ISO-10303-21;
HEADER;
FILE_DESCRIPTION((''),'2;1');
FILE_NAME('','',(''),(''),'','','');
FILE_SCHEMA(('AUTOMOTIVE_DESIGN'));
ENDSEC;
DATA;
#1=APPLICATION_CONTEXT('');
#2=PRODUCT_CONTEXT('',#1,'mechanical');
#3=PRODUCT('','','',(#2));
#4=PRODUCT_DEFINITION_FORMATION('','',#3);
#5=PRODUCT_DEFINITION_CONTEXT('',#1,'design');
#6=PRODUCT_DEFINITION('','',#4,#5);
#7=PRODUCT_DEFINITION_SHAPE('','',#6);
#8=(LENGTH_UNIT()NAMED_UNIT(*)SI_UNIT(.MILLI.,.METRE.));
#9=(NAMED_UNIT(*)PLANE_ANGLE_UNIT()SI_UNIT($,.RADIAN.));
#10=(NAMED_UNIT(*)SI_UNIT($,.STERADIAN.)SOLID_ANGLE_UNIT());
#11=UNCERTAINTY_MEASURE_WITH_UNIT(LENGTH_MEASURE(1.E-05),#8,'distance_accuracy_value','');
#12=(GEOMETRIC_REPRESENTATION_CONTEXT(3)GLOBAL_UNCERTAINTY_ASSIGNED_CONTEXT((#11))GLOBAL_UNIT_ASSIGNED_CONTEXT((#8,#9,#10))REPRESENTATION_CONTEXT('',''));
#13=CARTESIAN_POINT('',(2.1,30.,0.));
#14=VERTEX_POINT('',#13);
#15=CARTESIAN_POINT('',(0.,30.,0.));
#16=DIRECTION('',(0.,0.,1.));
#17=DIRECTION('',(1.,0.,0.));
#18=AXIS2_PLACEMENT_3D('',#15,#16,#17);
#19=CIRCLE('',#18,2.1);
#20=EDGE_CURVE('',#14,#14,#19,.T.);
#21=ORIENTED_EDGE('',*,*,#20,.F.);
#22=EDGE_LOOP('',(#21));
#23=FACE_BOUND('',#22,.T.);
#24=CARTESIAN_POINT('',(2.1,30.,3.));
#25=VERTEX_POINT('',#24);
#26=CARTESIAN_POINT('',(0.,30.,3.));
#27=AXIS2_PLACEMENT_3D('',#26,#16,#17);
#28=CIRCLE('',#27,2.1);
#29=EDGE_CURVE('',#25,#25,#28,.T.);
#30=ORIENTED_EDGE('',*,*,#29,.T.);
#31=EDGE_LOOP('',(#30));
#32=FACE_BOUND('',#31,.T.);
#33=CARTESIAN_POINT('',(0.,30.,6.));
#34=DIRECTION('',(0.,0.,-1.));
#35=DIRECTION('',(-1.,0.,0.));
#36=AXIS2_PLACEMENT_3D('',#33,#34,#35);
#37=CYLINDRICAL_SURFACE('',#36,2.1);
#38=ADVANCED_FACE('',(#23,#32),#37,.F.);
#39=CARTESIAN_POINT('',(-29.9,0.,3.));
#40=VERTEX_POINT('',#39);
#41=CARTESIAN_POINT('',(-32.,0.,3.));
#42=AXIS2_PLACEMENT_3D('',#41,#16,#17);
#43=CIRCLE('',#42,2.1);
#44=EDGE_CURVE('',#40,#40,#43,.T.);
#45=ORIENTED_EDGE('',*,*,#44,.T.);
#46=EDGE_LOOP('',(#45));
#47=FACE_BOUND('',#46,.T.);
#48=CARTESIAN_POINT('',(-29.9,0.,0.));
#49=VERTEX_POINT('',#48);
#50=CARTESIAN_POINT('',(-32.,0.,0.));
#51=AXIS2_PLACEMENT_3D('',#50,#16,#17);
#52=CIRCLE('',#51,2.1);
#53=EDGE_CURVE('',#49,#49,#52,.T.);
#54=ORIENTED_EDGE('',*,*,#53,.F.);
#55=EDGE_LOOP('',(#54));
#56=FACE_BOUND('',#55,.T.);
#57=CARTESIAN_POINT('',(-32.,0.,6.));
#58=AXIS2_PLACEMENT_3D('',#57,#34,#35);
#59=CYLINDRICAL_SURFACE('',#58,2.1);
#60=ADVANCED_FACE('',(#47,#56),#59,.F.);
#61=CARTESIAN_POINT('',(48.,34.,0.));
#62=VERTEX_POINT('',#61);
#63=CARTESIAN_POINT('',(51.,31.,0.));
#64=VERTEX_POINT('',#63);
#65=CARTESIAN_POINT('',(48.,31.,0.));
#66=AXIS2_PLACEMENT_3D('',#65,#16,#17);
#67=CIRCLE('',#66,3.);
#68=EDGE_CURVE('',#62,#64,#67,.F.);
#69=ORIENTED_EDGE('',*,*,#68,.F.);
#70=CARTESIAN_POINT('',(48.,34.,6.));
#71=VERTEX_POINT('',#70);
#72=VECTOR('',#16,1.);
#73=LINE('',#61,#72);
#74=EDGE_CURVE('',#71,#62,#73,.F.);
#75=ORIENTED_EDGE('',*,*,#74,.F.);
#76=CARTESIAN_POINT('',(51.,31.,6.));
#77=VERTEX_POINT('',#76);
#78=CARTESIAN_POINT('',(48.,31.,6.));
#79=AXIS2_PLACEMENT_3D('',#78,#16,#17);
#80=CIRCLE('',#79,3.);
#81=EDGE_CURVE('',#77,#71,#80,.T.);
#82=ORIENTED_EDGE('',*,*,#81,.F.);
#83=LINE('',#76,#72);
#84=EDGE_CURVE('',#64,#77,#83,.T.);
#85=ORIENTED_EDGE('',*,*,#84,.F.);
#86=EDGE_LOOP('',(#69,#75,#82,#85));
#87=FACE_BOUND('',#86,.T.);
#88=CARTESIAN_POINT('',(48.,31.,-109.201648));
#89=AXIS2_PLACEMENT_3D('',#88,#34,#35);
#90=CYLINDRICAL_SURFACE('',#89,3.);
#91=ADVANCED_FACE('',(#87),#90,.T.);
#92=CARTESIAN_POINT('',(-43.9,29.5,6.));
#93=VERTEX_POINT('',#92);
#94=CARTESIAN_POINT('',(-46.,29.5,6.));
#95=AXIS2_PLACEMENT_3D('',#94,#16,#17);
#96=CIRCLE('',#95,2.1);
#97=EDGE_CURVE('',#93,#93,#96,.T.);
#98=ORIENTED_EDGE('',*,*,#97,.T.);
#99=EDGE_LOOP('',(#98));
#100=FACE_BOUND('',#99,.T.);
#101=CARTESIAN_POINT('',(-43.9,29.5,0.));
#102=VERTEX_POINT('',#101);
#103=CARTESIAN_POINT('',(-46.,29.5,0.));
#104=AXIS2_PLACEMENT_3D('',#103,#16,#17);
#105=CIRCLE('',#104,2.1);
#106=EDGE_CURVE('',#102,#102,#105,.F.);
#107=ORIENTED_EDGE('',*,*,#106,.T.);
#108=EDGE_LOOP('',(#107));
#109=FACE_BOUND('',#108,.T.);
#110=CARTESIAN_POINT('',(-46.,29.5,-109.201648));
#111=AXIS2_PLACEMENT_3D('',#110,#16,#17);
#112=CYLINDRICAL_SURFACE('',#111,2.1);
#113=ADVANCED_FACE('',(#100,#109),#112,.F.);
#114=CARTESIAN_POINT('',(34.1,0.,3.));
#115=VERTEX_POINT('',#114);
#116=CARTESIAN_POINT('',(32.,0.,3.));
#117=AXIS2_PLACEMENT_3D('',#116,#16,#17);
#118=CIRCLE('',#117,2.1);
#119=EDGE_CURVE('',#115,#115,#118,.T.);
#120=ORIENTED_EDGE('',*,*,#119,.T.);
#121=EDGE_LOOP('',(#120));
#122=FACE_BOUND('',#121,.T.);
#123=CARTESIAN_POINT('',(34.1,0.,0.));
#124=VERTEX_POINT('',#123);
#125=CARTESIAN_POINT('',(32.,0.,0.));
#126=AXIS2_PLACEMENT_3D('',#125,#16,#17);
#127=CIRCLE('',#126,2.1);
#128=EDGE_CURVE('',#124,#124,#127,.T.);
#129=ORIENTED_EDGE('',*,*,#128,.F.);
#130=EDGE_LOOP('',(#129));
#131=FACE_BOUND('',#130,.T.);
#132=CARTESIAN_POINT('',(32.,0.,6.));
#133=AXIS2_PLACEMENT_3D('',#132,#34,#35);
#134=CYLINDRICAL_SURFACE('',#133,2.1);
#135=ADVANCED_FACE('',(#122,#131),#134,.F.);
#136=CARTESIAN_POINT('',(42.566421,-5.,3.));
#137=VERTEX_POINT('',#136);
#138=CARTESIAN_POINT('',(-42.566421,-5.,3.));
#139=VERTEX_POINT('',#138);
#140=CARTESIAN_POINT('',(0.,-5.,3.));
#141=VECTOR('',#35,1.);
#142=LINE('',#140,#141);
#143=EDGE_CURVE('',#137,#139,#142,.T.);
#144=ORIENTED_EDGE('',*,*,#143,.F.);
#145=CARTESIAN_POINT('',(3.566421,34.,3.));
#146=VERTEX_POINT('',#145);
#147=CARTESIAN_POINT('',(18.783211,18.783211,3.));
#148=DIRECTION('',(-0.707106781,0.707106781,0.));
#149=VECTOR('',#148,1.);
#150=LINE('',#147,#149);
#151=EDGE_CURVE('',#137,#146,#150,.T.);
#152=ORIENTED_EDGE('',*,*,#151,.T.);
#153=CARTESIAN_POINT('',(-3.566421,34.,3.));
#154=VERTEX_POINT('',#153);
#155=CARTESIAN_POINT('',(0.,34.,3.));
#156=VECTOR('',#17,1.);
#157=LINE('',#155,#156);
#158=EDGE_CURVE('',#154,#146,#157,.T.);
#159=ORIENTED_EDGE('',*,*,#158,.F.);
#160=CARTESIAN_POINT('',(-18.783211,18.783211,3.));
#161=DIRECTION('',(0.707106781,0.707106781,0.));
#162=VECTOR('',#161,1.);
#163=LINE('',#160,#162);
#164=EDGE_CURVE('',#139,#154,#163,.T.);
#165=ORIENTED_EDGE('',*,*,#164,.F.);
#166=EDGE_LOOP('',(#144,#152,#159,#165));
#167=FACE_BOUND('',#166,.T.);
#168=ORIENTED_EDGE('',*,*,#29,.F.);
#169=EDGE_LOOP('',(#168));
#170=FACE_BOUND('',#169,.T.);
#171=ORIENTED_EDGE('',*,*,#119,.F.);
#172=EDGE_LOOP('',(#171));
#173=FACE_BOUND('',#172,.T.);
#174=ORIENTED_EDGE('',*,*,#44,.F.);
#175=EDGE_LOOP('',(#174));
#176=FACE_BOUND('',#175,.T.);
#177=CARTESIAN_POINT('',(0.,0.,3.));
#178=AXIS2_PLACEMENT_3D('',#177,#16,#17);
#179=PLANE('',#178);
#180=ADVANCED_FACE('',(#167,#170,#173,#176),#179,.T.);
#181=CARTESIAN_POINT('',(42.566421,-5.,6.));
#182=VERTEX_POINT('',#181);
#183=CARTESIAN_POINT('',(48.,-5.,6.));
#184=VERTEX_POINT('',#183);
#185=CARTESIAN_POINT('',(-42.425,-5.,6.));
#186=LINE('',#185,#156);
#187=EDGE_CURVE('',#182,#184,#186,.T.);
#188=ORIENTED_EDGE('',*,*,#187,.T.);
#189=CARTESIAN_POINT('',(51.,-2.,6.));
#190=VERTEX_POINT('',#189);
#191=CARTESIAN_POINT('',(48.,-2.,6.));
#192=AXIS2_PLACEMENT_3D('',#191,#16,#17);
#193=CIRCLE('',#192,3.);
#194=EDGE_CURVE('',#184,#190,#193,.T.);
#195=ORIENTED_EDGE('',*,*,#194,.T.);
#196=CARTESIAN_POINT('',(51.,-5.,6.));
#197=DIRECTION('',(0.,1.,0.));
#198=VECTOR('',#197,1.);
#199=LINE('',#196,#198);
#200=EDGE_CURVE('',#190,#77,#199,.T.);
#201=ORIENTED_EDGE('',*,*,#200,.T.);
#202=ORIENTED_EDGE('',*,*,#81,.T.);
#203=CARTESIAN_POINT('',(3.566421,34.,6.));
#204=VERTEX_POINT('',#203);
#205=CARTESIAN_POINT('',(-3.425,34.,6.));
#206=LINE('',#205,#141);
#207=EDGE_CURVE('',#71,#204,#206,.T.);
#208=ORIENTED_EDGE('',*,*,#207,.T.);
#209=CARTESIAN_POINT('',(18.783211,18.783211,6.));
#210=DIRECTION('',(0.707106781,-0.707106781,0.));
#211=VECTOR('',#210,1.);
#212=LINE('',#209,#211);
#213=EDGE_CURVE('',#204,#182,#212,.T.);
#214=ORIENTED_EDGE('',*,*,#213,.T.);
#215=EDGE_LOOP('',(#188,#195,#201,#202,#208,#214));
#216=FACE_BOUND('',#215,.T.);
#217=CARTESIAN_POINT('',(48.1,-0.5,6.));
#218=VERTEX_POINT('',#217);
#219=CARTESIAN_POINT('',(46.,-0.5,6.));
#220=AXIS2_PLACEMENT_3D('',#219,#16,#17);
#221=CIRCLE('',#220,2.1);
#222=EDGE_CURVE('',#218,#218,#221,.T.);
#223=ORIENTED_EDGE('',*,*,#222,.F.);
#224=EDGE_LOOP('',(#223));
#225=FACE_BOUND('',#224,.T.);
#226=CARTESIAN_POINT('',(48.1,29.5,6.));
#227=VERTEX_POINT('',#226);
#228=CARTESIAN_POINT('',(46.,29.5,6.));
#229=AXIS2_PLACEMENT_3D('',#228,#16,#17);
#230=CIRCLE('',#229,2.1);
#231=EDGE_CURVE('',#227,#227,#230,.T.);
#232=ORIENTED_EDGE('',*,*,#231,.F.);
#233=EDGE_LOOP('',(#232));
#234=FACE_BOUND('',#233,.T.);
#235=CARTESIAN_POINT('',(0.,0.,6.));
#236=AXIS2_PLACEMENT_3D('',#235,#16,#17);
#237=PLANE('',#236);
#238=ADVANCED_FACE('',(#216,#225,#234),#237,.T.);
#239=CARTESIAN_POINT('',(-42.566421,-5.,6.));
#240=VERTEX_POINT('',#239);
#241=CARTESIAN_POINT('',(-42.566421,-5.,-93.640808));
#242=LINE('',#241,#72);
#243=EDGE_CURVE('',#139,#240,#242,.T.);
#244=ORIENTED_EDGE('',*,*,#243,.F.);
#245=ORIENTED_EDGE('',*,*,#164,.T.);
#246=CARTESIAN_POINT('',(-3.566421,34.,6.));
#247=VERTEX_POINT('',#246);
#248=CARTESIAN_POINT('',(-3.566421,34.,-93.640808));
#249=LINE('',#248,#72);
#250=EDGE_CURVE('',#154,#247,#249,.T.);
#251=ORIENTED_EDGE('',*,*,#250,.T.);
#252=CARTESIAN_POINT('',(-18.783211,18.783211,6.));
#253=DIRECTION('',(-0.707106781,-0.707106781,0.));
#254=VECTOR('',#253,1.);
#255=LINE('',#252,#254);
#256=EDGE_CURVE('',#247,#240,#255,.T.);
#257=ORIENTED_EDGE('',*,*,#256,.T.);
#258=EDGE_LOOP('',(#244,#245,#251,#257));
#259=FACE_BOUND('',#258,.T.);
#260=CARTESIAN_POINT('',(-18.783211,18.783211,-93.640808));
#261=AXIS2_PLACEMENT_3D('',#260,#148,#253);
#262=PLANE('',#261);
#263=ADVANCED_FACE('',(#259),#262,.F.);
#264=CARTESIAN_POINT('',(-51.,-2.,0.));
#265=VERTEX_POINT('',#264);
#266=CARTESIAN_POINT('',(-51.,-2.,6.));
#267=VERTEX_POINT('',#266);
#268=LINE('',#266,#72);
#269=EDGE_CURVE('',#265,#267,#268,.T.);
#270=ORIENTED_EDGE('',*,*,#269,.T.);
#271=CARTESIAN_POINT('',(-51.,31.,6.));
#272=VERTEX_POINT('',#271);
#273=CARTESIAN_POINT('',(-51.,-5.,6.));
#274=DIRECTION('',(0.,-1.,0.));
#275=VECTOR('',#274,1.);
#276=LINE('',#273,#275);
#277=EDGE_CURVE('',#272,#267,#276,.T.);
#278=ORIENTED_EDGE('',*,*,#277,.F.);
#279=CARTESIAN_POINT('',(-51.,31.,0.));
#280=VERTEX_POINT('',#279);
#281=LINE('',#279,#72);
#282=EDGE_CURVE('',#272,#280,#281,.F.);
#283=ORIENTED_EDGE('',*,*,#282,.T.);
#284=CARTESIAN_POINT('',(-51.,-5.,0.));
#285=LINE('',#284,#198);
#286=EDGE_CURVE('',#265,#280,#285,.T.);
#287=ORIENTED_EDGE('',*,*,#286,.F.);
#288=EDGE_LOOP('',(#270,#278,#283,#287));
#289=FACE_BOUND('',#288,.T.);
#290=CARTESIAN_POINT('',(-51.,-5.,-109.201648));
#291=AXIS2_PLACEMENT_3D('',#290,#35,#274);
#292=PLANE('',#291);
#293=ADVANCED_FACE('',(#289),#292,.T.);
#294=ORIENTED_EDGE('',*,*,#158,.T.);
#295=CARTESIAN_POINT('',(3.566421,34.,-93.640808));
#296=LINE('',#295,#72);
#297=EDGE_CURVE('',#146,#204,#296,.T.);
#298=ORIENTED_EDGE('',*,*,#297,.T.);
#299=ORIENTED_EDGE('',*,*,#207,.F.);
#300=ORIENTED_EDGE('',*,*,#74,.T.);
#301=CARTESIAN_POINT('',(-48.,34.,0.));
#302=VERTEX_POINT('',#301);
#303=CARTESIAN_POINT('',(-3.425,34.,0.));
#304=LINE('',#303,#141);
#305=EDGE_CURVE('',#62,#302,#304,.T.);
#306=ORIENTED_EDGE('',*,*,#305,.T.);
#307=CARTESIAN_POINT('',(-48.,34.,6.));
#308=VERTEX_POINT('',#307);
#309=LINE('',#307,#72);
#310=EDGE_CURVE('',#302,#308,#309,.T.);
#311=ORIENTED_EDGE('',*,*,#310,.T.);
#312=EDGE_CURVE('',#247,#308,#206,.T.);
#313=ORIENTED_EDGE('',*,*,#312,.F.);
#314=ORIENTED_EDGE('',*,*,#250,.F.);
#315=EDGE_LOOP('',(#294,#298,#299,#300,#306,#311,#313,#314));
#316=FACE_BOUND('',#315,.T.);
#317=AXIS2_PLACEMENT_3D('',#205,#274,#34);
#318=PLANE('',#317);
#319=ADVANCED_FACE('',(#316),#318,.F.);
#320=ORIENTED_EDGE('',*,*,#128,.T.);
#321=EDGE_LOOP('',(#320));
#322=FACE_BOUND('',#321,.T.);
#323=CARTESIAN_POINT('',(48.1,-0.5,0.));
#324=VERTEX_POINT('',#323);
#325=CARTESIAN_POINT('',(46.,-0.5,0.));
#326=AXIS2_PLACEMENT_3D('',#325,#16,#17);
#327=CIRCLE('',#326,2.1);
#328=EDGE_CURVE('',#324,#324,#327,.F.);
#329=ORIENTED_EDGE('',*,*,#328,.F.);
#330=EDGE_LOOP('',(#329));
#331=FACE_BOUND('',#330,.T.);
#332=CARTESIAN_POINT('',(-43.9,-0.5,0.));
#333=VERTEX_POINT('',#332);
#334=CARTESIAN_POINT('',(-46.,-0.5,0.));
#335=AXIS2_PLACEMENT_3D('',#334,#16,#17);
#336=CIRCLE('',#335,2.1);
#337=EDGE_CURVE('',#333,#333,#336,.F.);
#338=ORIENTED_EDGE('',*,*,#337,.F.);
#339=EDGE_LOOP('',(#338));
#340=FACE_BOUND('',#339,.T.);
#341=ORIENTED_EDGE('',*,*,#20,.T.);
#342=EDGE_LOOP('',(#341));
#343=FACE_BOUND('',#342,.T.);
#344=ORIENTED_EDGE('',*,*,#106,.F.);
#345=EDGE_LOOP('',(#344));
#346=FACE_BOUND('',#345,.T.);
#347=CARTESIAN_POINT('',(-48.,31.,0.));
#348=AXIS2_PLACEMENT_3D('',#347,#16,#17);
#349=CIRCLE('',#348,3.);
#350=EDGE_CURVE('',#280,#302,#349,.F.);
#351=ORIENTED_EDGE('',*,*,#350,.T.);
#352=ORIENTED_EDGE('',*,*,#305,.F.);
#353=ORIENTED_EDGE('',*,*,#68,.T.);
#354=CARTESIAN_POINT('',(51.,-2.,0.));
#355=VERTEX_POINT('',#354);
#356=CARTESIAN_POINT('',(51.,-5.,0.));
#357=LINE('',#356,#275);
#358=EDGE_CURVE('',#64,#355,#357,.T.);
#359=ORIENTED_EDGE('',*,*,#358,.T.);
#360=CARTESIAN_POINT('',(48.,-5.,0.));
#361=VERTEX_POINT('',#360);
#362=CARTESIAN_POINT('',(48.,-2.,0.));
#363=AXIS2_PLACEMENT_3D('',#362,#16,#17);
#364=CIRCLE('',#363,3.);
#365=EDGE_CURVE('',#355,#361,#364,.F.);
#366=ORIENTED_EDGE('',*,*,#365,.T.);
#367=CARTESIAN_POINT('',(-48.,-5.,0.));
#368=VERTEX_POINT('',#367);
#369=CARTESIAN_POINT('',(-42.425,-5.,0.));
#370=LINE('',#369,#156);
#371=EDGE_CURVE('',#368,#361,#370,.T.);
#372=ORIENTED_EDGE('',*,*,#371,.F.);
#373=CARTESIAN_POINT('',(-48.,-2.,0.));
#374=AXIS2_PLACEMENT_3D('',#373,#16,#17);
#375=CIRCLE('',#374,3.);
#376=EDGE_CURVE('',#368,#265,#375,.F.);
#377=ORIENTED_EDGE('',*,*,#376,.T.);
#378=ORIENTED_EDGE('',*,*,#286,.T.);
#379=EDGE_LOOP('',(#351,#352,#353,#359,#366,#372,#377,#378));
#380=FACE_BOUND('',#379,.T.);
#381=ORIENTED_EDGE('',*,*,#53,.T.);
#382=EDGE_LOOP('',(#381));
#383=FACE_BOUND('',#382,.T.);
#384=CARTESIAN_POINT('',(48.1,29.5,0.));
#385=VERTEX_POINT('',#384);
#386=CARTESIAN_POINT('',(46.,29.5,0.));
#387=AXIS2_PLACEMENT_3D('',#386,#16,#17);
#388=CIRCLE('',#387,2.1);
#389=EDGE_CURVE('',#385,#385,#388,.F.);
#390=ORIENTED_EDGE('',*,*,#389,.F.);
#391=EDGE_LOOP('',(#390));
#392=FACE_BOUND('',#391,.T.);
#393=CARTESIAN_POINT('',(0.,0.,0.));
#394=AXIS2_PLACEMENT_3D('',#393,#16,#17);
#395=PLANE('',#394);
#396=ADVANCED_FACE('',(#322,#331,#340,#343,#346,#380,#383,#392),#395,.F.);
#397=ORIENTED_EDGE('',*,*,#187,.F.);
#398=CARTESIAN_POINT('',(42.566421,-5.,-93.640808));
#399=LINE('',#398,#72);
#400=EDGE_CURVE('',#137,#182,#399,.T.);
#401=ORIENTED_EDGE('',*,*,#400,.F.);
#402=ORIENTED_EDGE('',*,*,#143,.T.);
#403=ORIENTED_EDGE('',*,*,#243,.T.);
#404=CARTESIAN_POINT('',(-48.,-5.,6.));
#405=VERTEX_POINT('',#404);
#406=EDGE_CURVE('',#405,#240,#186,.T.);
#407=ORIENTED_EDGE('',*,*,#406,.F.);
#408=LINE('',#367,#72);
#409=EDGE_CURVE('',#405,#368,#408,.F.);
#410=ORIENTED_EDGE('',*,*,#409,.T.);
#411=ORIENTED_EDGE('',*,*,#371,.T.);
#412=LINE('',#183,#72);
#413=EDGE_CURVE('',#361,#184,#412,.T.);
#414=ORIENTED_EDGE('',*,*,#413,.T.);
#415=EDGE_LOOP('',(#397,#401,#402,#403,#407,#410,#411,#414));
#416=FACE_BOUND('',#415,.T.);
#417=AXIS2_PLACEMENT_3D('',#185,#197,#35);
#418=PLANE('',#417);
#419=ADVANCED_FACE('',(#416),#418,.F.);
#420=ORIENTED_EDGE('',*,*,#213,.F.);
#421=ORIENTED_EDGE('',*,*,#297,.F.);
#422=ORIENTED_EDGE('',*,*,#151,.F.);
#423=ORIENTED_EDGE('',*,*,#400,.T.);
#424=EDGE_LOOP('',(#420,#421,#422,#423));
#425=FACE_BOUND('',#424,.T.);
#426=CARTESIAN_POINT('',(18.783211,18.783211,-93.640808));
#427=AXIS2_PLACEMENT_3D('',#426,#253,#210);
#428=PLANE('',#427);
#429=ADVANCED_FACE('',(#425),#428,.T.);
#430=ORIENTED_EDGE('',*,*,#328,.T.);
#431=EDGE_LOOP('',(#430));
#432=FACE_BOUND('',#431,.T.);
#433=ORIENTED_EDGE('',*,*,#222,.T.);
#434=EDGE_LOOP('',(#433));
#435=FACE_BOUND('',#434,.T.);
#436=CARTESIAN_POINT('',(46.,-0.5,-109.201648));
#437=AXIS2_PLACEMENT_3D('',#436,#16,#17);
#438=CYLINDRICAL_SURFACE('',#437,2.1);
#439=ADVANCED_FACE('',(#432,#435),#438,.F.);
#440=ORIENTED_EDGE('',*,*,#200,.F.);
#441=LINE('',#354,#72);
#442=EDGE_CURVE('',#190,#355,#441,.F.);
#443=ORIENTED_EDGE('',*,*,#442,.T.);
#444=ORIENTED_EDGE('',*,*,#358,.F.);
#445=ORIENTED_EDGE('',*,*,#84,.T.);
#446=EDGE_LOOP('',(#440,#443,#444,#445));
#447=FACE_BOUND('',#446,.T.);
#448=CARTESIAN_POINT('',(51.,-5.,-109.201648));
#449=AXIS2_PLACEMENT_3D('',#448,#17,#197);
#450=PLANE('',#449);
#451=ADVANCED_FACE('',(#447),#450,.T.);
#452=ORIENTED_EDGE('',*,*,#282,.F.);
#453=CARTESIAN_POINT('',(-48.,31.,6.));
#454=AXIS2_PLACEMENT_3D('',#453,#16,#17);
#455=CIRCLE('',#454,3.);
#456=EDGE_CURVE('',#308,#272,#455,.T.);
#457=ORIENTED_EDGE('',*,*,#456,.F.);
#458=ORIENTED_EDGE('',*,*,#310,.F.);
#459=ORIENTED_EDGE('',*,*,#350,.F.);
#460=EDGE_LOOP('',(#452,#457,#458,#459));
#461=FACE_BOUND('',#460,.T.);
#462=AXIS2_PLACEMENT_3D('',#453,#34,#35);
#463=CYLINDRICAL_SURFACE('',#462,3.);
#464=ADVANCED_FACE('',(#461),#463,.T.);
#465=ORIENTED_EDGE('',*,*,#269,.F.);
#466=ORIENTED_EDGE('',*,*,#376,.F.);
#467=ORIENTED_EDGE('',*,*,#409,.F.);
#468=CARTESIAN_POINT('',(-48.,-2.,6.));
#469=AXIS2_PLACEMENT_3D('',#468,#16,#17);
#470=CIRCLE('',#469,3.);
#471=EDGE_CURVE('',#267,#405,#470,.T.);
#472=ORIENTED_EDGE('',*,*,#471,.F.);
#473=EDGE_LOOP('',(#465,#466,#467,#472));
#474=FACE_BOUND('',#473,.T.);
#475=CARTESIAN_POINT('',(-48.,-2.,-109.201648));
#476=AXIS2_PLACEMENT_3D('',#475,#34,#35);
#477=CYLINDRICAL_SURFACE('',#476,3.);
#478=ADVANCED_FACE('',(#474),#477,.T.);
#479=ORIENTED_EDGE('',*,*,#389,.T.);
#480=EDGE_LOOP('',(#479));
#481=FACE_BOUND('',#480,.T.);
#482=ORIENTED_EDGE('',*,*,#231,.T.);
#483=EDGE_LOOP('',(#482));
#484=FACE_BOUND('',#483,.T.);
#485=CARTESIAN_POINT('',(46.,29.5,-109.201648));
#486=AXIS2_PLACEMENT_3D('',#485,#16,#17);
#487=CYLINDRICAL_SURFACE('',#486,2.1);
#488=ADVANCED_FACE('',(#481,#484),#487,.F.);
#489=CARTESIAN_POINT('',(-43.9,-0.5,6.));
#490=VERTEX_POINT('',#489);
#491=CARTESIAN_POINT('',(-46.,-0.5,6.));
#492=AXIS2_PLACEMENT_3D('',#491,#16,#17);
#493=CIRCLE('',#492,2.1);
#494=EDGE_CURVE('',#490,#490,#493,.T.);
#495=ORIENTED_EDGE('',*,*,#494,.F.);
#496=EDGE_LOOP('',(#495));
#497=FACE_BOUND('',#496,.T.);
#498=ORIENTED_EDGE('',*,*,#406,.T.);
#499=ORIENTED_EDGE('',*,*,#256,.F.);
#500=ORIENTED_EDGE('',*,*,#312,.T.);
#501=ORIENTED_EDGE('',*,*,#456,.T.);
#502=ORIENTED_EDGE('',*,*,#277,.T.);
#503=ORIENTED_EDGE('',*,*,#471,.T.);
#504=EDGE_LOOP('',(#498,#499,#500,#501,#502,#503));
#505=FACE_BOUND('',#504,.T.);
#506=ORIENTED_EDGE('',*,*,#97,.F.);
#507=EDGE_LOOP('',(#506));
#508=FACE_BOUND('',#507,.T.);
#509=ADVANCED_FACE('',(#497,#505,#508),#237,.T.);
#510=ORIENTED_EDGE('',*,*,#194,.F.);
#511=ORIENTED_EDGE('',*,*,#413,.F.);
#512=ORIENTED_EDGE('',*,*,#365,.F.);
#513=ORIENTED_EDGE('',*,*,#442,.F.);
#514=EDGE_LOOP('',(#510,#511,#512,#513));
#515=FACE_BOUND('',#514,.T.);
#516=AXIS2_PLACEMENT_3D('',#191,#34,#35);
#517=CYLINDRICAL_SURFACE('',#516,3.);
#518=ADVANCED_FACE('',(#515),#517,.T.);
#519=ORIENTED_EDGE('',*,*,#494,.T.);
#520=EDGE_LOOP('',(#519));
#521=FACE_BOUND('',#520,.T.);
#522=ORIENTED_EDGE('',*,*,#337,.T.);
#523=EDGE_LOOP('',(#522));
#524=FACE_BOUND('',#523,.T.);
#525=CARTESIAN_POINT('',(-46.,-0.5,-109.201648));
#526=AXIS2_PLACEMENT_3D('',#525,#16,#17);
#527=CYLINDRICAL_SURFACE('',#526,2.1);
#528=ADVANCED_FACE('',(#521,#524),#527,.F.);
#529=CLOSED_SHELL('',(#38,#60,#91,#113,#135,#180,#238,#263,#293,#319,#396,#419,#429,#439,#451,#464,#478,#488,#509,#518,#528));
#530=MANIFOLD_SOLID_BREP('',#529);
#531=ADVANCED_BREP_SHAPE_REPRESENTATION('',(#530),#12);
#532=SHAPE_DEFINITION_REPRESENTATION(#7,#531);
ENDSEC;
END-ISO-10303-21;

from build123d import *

# Parameters (mm, degrees)
SKETCH_1_R          = 2.1
EXTRUDE_1_DEPTH     = 6
EXTRUDE_START       = -6
SKETCH_2_W          = 102
SKETCH_2_H          = 39
SKETCH_2_R          = 2.1
EXTRUDE_2_DEPTH     = 6
CUT_EXTRUDE_START   = -3
SKETCH_3_R          = 2.1
CUT_EXTRUDE_2_DEPTH = 3
FILLET_1_R          = 3


with BuildPart() as part:
    # 草图1 → 凸台-拉伸1 (new body)
    with BuildSketch(Plane.XY):
        Polygon((-42.425, -5), (42.425, -5), (3.425, 34), (-3.425, 34), align=None)
        with Locations((0, 30)):
            Circle(SKETCH_1_R, mode=Mode.SUBTRACT)
        with Locations((-32, 0)):
            Circle(SKETCH_1_R, mode=Mode.SUBTRACT)
        with Locations((32, 0)):
            Circle(SKETCH_1_R, mode=Mode.SUBTRACT)
    extrude(amount=EXTRUDE_1_DEPTH)

    # 草图2 → 凸台-拉伸2 (add)
    with BuildSketch(Plane.XY.offset(6).offset(EXTRUDE_START)):
        with Locations((0, 14.5)):
            Rectangle(SKETCH_2_W, SKETCH_2_H)
        with Locations((-46, -0.5)):
            Circle(SKETCH_2_R, mode=Mode.SUBTRACT)
        with Locations((-46, 29.5)):
            Circle(SKETCH_2_R, mode=Mode.SUBTRACT)
        with Locations((46, 29.5)):
            Circle(SKETCH_2_R, mode=Mode.SUBTRACT)
        with Locations((46, -0.5)):
            Circle(SKETCH_2_R, mode=Mode.SUBTRACT)
        with Locations((-32, 0)):
            Circle(SKETCH_2_R, mode=Mode.SUBTRACT)
        with Locations((0, 30)):
            Circle(SKETCH_2_R, mode=Mode.SUBTRACT)
        with Locations((32, 0)):
            Circle(SKETCH_2_R, mode=Mode.SUBTRACT)
    extrude(amount=EXTRUDE_2_DEPTH)

    # 草图3 → 切除-拉伸2 (cut)
    with BuildSketch(Plane.XY.offset(6).offset(CUT_EXTRUDE_START)):
        Polygon((-3.425, 34), (-3.566421356, 34), (-42.495710678, -4.929289322), (-42.566421356, -5), (-42.425, -5), (42.425, -5), (42.566421356, -5), (42.495710678, -4.929289322), (3.566421356, 34), (3.425, 34), align=None)
        with Locations((-32, 0)):
            Circle(SKETCH_3_R, mode=Mode.SUBTRACT)
        with Locations((32, 0)):
            Circle(SKETCH_3_R, mode=Mode.SUBTRACT)
        with Locations((0, 30)):
            Circle(SKETCH_3_R, mode=Mode.SUBTRACT)
    extrude(amount=CUT_EXTRUDE_2_DEPTH, mode=Mode.SUBTRACT)

    # 圆角1
    fillet_1_edges = [part.edges().sort_by_distance(p)[0] for p in [
        (-51, 34, 3),
        (51, -5, 3),
        (-51, -5, 3),
        (51, 34, 3),
    ]]
    fillet(fillet_1_edges, radius=FILLET_1_R)


solid = part.part
